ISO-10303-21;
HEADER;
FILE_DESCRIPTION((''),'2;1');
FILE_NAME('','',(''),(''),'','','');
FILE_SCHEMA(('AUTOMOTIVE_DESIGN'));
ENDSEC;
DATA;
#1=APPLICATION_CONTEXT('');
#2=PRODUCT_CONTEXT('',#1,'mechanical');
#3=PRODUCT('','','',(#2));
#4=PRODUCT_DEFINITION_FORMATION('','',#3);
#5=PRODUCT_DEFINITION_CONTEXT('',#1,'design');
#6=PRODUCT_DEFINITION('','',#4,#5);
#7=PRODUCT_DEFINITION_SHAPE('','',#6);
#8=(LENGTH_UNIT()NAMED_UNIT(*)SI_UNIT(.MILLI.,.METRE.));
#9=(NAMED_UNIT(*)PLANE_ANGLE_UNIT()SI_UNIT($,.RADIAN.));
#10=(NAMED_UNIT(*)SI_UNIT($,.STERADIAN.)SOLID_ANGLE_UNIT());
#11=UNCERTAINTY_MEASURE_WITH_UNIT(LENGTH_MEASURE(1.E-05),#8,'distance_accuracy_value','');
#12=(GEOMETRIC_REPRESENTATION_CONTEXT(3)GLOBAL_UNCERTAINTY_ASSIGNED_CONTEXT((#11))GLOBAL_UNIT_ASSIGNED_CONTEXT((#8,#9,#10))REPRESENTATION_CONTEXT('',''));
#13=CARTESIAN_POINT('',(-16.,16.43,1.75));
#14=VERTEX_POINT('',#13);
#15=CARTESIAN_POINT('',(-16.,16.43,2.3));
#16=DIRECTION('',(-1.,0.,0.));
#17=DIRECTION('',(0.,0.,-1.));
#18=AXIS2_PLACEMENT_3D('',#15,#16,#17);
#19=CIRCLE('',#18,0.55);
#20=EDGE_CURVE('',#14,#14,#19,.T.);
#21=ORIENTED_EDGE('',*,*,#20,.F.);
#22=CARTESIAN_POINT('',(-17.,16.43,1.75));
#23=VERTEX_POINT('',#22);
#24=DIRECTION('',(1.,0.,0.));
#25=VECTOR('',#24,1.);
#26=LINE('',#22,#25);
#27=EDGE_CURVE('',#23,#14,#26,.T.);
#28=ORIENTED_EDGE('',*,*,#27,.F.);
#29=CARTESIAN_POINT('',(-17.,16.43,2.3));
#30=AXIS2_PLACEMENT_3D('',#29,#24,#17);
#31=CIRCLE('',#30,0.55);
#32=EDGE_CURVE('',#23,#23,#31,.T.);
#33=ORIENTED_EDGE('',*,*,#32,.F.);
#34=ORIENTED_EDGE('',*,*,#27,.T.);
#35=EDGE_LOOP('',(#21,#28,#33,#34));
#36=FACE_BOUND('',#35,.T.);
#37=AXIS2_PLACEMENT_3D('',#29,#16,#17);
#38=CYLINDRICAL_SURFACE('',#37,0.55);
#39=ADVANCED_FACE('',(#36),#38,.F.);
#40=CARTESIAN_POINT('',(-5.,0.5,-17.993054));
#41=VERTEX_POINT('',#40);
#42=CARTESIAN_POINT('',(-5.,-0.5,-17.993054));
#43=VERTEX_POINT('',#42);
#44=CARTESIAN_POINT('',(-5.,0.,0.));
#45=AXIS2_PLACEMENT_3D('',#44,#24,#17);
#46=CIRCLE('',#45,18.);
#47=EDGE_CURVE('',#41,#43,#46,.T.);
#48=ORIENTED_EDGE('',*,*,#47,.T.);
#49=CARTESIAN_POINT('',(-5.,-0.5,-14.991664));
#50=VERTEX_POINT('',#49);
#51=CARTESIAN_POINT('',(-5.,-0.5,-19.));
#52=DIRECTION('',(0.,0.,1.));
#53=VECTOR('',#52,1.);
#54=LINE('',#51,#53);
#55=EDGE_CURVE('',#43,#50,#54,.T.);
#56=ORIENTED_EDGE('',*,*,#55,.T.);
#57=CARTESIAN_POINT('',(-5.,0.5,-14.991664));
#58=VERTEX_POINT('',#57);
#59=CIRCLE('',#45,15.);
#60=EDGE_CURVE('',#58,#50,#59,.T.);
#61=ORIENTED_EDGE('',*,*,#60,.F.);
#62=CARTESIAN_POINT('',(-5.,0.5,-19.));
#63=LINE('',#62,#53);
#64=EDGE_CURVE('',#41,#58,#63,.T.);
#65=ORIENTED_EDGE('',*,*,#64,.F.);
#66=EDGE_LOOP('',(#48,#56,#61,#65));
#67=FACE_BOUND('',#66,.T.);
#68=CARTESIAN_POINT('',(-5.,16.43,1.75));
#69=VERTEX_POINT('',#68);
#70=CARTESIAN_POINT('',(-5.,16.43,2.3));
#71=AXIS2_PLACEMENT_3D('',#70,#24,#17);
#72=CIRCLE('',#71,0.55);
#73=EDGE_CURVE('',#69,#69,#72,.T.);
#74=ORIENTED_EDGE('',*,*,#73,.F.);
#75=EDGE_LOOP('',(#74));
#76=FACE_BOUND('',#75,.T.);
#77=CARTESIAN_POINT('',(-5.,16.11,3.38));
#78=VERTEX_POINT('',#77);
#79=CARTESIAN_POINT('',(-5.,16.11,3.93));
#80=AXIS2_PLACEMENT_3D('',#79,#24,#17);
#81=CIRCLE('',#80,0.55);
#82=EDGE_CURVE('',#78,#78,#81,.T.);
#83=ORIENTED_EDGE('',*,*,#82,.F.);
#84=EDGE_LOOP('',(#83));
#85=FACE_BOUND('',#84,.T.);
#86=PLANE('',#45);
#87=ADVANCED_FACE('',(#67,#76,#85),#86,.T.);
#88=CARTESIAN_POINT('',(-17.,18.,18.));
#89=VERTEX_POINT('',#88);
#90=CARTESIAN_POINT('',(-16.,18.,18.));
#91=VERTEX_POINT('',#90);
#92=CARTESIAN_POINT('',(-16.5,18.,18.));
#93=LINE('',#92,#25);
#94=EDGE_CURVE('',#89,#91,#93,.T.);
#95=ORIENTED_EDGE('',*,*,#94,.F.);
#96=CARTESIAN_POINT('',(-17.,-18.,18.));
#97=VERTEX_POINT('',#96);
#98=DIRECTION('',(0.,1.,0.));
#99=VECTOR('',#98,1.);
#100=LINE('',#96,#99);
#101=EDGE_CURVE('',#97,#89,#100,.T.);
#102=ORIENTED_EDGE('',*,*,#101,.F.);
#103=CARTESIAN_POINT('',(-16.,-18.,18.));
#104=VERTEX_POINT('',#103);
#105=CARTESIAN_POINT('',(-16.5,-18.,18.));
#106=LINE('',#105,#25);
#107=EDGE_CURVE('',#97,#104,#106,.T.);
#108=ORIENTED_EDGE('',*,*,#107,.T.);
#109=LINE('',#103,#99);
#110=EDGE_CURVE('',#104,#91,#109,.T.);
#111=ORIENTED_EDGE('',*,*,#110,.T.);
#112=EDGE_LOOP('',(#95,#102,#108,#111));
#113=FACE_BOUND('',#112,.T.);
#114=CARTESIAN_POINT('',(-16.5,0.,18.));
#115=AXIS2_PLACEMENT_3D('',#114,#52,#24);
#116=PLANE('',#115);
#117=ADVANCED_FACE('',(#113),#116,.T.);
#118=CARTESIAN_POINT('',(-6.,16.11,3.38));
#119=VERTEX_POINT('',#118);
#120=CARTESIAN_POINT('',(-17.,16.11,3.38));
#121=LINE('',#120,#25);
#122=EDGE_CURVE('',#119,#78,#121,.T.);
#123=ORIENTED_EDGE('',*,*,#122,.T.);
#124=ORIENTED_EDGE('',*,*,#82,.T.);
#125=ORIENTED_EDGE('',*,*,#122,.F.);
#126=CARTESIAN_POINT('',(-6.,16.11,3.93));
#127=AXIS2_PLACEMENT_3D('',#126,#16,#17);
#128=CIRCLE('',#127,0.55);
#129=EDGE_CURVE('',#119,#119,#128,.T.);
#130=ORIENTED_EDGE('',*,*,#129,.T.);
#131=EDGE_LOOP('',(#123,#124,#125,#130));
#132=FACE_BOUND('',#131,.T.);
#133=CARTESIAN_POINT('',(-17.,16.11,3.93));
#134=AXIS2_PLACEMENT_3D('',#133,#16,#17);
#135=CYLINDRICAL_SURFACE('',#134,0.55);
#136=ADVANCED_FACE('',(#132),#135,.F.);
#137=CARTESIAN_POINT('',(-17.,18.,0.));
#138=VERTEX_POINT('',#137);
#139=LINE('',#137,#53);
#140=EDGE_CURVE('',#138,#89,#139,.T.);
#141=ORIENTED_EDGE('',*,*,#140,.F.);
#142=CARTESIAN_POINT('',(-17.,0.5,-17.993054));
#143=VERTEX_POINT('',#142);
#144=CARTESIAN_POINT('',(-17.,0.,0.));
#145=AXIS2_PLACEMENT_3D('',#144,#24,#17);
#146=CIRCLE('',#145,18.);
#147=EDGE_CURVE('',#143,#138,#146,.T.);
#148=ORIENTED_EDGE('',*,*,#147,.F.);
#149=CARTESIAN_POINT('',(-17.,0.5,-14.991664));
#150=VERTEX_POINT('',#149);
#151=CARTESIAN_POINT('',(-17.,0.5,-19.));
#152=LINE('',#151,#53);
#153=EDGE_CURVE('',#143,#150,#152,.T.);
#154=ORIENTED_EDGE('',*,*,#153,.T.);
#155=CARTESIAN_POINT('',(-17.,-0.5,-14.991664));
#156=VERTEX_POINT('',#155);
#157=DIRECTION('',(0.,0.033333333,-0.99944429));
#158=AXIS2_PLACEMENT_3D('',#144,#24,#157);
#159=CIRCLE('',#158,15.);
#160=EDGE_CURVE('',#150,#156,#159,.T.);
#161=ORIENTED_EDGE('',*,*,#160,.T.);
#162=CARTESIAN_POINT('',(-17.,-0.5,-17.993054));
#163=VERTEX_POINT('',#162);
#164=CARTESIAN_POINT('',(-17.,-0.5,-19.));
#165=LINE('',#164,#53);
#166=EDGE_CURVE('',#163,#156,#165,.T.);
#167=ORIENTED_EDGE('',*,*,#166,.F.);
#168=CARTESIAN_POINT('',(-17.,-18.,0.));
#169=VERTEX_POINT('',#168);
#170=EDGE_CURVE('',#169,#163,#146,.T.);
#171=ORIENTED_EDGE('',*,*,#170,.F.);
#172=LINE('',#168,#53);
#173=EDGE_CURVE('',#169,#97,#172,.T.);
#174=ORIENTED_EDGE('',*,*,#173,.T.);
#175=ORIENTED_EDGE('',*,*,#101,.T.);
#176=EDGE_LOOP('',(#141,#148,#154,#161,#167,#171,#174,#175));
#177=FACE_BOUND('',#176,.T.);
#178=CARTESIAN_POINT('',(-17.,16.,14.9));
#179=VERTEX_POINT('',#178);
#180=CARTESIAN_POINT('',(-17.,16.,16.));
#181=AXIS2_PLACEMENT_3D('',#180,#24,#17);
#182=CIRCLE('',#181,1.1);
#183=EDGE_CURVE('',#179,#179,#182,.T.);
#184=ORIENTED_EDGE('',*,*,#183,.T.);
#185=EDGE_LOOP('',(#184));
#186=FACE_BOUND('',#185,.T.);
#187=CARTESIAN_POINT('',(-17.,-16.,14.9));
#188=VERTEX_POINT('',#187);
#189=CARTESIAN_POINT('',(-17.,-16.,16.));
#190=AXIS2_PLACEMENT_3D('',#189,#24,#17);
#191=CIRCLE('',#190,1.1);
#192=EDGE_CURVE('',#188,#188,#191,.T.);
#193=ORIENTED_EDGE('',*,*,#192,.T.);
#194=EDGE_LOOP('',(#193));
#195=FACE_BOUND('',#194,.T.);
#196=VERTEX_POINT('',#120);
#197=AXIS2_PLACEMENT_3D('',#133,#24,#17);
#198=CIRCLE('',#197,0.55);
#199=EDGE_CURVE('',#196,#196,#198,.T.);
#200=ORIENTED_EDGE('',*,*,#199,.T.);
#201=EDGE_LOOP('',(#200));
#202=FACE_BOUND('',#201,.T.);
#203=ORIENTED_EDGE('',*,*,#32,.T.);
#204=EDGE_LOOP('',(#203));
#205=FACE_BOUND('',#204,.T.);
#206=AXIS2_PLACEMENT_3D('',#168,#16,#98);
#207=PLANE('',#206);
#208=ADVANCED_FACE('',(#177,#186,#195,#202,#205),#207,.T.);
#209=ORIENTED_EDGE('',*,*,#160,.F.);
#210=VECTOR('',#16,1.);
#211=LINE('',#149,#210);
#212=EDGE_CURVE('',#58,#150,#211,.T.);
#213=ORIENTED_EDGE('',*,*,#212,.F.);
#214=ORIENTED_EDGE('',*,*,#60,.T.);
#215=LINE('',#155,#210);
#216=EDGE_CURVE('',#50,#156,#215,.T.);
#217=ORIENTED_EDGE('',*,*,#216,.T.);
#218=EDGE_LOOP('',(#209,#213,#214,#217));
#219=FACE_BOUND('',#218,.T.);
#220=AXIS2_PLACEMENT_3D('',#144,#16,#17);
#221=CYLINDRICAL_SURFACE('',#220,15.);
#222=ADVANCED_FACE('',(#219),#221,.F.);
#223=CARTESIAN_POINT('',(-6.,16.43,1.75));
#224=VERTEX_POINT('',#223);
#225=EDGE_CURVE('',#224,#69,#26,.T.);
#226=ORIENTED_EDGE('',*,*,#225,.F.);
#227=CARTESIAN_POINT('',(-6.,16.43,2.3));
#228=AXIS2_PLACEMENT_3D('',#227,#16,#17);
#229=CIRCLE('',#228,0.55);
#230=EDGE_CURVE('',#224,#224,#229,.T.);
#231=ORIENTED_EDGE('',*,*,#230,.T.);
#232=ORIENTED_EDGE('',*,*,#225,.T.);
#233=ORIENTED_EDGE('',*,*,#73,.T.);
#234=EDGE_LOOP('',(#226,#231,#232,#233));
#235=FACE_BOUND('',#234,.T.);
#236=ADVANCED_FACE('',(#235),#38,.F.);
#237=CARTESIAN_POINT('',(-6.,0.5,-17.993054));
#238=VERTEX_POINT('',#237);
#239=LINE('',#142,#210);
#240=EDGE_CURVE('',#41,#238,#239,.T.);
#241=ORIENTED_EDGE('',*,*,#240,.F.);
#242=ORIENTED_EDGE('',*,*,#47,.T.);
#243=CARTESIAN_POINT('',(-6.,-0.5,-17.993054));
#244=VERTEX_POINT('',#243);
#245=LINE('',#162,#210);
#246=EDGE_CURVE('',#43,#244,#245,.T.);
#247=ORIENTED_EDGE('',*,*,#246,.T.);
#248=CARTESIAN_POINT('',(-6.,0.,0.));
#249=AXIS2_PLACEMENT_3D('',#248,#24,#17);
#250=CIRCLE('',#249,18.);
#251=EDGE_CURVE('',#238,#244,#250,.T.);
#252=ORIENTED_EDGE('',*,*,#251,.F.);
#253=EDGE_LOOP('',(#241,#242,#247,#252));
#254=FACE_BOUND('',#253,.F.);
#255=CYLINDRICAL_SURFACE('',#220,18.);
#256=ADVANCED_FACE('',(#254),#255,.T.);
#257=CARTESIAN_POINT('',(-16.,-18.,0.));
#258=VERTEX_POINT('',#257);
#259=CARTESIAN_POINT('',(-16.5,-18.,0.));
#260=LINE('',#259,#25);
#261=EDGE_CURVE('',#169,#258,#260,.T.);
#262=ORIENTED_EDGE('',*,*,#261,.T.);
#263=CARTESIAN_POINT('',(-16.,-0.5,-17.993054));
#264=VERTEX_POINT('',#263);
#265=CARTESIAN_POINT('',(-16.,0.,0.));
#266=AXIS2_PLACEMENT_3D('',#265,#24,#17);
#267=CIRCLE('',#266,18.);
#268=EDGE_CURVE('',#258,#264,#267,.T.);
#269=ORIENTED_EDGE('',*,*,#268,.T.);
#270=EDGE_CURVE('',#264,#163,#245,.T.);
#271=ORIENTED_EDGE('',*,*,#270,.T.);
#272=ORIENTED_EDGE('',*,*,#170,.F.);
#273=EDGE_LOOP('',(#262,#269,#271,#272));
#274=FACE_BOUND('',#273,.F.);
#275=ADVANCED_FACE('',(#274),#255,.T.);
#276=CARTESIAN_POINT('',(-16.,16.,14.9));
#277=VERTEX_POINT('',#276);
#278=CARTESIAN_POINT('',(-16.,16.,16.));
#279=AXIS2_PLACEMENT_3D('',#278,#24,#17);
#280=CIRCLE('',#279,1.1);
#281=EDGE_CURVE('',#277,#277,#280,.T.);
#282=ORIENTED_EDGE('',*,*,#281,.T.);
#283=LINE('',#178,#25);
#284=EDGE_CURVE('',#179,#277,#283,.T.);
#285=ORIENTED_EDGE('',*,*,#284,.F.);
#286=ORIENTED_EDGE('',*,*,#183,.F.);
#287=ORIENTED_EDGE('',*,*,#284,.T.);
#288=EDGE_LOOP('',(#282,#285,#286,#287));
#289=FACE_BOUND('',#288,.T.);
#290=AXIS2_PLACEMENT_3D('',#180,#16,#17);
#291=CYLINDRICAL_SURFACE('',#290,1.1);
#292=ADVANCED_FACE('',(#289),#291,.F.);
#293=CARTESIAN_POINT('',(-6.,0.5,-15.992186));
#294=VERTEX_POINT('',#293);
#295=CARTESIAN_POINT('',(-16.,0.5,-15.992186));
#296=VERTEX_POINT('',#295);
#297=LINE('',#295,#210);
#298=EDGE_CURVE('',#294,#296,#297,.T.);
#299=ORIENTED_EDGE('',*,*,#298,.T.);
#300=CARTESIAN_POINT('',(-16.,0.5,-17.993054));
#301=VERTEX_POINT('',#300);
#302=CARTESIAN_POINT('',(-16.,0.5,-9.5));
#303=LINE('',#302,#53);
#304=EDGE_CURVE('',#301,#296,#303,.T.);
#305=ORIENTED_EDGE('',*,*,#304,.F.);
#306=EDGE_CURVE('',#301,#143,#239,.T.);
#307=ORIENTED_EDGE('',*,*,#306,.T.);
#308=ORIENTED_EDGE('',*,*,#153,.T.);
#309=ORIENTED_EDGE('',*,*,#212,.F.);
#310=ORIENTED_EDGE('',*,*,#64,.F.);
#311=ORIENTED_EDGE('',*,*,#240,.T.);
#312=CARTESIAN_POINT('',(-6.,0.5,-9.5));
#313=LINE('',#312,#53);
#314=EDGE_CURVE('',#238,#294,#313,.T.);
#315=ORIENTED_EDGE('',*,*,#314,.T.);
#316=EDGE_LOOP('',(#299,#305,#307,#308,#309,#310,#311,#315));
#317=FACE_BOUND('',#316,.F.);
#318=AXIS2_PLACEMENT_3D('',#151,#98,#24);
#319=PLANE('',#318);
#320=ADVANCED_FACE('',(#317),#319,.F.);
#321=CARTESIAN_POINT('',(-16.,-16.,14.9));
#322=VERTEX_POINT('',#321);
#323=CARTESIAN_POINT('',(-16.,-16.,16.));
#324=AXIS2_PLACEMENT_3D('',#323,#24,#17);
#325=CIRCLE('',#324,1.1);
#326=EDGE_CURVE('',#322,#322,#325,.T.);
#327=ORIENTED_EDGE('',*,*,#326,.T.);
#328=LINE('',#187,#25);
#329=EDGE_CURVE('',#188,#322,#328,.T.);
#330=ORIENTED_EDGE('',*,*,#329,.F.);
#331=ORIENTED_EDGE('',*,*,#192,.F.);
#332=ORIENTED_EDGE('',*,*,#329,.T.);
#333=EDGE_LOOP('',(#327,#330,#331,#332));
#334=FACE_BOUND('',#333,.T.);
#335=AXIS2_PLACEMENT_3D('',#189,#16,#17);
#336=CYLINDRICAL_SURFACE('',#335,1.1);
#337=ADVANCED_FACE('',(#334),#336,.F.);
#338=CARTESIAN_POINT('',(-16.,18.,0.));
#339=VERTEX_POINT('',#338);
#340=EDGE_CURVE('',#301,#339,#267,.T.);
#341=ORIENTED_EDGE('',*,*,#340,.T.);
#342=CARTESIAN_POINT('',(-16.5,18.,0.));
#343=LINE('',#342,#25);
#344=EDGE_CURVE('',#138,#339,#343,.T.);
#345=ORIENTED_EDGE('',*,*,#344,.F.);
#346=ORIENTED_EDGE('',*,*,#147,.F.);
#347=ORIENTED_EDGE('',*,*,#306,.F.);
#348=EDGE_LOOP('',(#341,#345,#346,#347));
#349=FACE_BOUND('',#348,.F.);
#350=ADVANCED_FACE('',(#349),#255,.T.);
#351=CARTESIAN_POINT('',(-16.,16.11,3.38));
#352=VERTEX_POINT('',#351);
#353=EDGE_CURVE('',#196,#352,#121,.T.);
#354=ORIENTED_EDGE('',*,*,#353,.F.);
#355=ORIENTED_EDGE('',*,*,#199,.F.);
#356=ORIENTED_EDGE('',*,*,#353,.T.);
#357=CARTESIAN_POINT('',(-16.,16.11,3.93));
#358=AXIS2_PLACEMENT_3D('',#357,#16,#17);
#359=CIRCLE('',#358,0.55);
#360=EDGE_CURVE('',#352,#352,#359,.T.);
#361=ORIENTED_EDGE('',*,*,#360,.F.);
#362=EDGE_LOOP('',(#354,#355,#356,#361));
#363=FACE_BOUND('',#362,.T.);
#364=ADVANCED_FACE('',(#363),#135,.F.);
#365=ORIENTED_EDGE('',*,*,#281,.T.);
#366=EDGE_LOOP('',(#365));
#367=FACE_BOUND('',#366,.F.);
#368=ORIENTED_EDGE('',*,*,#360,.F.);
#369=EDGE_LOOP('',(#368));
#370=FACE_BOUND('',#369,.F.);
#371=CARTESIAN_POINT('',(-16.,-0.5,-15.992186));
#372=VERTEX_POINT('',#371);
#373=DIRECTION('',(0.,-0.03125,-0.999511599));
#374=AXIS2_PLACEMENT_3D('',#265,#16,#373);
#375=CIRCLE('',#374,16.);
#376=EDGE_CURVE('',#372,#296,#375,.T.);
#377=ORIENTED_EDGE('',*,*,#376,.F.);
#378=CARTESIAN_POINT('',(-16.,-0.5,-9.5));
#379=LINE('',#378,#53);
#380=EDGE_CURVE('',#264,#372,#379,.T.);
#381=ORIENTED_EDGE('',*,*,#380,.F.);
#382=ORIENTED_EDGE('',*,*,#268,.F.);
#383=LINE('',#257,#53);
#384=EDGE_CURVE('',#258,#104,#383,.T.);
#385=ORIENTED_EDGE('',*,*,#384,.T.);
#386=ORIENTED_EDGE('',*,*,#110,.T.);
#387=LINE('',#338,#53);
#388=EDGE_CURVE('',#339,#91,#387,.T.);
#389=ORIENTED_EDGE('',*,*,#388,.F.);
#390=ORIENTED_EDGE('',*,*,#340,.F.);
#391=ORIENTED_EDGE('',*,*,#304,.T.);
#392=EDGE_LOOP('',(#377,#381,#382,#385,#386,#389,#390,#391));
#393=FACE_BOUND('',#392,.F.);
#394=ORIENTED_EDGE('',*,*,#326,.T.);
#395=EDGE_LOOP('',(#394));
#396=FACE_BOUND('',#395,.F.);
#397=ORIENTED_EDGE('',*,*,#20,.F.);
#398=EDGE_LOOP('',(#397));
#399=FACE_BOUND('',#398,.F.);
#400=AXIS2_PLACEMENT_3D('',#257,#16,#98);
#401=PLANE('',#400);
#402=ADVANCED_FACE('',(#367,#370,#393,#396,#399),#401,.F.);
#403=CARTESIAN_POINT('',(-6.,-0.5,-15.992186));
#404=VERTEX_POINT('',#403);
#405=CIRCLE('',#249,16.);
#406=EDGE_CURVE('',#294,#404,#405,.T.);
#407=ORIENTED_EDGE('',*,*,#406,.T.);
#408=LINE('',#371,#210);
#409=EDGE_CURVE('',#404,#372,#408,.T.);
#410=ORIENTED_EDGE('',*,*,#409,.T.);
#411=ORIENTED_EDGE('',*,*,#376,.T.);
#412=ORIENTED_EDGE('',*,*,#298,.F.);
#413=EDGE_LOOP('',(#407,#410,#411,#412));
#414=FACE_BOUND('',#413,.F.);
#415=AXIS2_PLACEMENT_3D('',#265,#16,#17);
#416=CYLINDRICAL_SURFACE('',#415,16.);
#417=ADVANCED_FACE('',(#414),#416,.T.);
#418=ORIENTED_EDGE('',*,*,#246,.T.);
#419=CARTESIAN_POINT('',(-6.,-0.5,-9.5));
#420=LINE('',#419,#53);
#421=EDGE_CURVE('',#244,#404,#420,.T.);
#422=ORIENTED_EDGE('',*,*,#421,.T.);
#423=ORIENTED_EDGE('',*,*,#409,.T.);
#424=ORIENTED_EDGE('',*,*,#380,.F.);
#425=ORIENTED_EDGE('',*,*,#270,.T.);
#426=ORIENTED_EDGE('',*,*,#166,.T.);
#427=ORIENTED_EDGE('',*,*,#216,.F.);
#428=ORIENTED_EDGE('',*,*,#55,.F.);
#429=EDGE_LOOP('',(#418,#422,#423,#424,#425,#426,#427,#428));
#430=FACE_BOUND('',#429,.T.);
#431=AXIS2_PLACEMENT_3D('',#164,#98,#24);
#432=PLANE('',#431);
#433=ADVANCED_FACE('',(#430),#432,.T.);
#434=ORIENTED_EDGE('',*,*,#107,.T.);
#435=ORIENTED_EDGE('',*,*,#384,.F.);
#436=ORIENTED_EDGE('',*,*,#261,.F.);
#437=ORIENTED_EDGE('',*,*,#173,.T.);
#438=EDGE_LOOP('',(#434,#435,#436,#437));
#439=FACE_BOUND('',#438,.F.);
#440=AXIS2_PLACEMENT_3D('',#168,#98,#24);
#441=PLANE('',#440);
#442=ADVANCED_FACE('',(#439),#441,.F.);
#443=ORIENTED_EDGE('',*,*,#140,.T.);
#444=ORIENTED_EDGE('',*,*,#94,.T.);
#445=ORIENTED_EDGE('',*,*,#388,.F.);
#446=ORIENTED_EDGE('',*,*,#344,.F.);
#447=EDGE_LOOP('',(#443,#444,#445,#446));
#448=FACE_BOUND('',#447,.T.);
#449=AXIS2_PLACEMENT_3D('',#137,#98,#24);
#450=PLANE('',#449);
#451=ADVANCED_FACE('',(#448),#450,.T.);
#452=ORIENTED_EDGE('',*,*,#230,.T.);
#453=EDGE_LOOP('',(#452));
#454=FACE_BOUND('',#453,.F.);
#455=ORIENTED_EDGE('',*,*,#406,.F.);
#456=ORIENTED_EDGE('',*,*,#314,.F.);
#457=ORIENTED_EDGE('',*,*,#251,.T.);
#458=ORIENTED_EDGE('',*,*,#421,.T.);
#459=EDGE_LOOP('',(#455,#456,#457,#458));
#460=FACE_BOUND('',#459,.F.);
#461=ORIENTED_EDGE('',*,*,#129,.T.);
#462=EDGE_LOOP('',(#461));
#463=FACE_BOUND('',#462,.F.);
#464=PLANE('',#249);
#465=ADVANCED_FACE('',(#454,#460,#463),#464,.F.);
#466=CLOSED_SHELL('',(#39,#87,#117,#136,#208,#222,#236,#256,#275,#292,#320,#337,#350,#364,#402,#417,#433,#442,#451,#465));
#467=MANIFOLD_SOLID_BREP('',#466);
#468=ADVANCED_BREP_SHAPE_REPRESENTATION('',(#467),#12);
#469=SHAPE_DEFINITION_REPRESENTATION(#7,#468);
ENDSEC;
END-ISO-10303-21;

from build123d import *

# Parameters (mm, degrees)
CYLINDER079_R     = 0.55
CYLINDER079_DEPTH = 12
CYLINDER078_R     = 0.55
CYLINDER078_DEPTH = 12
CYLINDER073_R     = 15
CYLINDER073_DEPTH = 12
CYLINDER072_R     = 1.1
CYLINDER072_DEPTH = 1
CYLINDER071_R     = 1.1
CYLINDER071_DEPTH = 1
BOX039_W          = 1
BOX039_H          = 36
BOX039_DEPTH      = 18
CYLINDER075_R     = 0.55
CYLINDER075_DEPTH = 12
CYLINDER074_R     = 0.55
CYLINDER074_DEPTH = 12
BOX038_W          = 12
BOX038_H          = 1
BOX038_DEPTH      = 5
CYLINDER069_R     = 16
CYLINDER069_DEPTH = 10
CYLINDER068_R     = 18
CYLINDER068_DEPTH = 10
CYLINDER067_R     = 15
CYLINDER067_DEPTH = 12
CYLINDER066_R     = 18
CYLINDER066_DEPTH = 12


with BuildPart() as zylinder076:
    # Cylinder079 → Cylinder079 (new body)
    with BuildSketch(Plane(origin=(-17, 16.11, 3.93), x_dir=(0, 0, -1), z_dir=(1, 0, 0))):
        Circle(CYLINDER079_R)
    extrude(amount=CYLINDER079_DEPTH)


with BuildPart() as fusion037:
    # Cylinder078 → Cylinder078 (new body)
    with BuildSketch(Plane(origin=(-17, 16.43, 2.3), x_dir=(0, 0, -1), z_dir=(1, 0, 0))):
        Circle(CYLINDER078_R)
    extrude(amount=CYLINDER078_DEPTH)

    # Fusion037: union Zylinder076
    add(zylinder076.part)


with BuildPart() as zylinder070:
    # Cylinder073 → Cylinder073 (new body)
    with BuildSketch(Plane(origin=(-17, 0, 0), x_dir=(0, 0, -1), z_dir=(1, 0, 0))):
        Circle(CYLINDER073_R)
    extrude(amount=CYLINDER073_DEPTH)


with BuildPart() as zylinder069:
    # Cylinder072 → Cylinder072 (new body)
    with BuildSketch(Plane(origin=(-17, 16, 16), x_dir=(0, 0, -1), z_dir=(1, 0, 0))):
        Circle(CYLINDER072_R)
    extrude(amount=CYLINDER072_DEPTH)


with BuildPart() as fusion034:
    # Cylinder071 → Cylinder071 (new body)
    with BuildSketch(Plane(origin=(-17, -16, 16), x_dir=(0, 0, -1), z_dir=(1, 0, 0))):
        Circle(CYLINDER071_R)
    extrude(amount=CYLINDER071_DEPTH)

    # Fusion034: union Zylinder069
    add(zylinder069.part)


with BuildPart() as cut059:
    # Box039 → Box039 (new body)
    with BuildSketch(Plane(origin=(-17, -18, 0), x_dir=(1, 0, 0), z_dir=(0, 0, 1))):
        with Locations((0.5, 18)):
            Rectangle(BOX039_W, BOX039_H)
    extrude(amount=BOX039_DEPTH)

    # Cut055: cut Fusion034
    add(fusion034.part, mode=Mode.SUBTRACT)

    # Cut056: cut Zylinder070
    add(zylinder070.part, mode=Mode.SUBTRACT)

    # Cut059: cut Fusion037
    add(fusion037.part, mode=Mode.SUBTRACT)


with BuildPart() as zylinder072:
    # Cylinder075 → Cylinder075 (new body)
    with BuildSketch(Plane(origin=(-17, 16.11, 3.93), x_dir=(0, 0, -1), z_dir=(1, 0, 0))):
        Circle(CYLINDER075_R)
    extrude(amount=CYLINDER075_DEPTH)


with BuildPart() as fusion035:
    # Cylinder074 → Cylinder074 (new body)
    with BuildSketch(Plane(origin=(-17, 16.43, 2.3), x_dir=(0, 0, -1), z_dir=(1, 0, 0))):
        Circle(CYLINDER074_R)
    extrude(amount=CYLINDER074_DEPTH)

    # Fusion035: union Zylinder072
    add(zylinder072.part)


with BuildPart() as w_rfel037:
    # Box038 → Box038 (new body)
    with BuildSketch(Plane(origin=(-17, -0.5, -19), x_dir=(1, 0, 0), z_dir=(0, 0, 1))):
        with Locations((6, 0.5)):
            Rectangle(BOX038_W, BOX038_H)
    extrude(amount=BOX038_DEPTH)


with BuildPart() as zylinder066:
    # Cylinder069 → Cylinder069 (new body)
    with BuildSketch(Plane(origin=(0, 0, 0), x_dir=(0, 0, -1), z_dir=(1, 0, 0))):
        Circle(CYLINDER069_R)
    extrude(amount=CYLINDER069_DEPTH)


with BuildPart() as cut050:
    # Cylinder068 → Cylinder068 (new body)
    with BuildSketch(Plane(origin=(0, 0, 0), x_dir=(0, 0, -1), z_dir=(1, 0, 0))):
        Circle(CYLINDER068_R)
    extrude(amount=CYLINDER068_DEPTH)

    # Cut050: cut Zylinder066
    add(zylinder066.part, mode=Mode.SUBTRACT)


with BuildPart() as cut050_1:
    # Cut050 placement: moved
    add(cut050.part.moved(Location((-16, 0, 0))))


with BuildPart() as zylinder064:
    # Cylinder067 → Cylinder067 (new body)
    with BuildSketch(Plane(origin=(0, 0, 0), x_dir=(0, 0, -1), z_dir=(1, 0, 0))):
        Circle(CYLINDER067_R)
    extrude(amount=CYLINDER067_DEPTH)


with BuildPart() as fusion038:
    # Cylinder066 → Cylinder066 (new body)
    with BuildSketch(Plane(origin=(0, 0, 0), x_dir=(0, 0, -1), z_dir=(1, 0, 0))):
        Circle(CYLINDER066_R)
    extrude(amount=CYLINDER066_DEPTH)

    # Cut049: cut Zylinder064
    add(zylinder064.part, mode=Mode.SUBTRACT)


with BuildPart() as fusion038_1:
    # Cut049 placement: moved
    add(fusion038.part.moved(Location((-17, 0, 0))))

    # Cut051: cut Cut050
    add(cut050_1.part, mode=Mode.SUBTRACT)

    # Cut054: cut Würfel037
    add(w_rfel037.part, mode=Mode.SUBTRACT)

    # Cut057: cut Fusion035
    add(fusion035.part, mode=Mode.SUBTRACT)

    # Fusion038: union Cut059
    add(cut059.part)


solid = fusion038_1.part
